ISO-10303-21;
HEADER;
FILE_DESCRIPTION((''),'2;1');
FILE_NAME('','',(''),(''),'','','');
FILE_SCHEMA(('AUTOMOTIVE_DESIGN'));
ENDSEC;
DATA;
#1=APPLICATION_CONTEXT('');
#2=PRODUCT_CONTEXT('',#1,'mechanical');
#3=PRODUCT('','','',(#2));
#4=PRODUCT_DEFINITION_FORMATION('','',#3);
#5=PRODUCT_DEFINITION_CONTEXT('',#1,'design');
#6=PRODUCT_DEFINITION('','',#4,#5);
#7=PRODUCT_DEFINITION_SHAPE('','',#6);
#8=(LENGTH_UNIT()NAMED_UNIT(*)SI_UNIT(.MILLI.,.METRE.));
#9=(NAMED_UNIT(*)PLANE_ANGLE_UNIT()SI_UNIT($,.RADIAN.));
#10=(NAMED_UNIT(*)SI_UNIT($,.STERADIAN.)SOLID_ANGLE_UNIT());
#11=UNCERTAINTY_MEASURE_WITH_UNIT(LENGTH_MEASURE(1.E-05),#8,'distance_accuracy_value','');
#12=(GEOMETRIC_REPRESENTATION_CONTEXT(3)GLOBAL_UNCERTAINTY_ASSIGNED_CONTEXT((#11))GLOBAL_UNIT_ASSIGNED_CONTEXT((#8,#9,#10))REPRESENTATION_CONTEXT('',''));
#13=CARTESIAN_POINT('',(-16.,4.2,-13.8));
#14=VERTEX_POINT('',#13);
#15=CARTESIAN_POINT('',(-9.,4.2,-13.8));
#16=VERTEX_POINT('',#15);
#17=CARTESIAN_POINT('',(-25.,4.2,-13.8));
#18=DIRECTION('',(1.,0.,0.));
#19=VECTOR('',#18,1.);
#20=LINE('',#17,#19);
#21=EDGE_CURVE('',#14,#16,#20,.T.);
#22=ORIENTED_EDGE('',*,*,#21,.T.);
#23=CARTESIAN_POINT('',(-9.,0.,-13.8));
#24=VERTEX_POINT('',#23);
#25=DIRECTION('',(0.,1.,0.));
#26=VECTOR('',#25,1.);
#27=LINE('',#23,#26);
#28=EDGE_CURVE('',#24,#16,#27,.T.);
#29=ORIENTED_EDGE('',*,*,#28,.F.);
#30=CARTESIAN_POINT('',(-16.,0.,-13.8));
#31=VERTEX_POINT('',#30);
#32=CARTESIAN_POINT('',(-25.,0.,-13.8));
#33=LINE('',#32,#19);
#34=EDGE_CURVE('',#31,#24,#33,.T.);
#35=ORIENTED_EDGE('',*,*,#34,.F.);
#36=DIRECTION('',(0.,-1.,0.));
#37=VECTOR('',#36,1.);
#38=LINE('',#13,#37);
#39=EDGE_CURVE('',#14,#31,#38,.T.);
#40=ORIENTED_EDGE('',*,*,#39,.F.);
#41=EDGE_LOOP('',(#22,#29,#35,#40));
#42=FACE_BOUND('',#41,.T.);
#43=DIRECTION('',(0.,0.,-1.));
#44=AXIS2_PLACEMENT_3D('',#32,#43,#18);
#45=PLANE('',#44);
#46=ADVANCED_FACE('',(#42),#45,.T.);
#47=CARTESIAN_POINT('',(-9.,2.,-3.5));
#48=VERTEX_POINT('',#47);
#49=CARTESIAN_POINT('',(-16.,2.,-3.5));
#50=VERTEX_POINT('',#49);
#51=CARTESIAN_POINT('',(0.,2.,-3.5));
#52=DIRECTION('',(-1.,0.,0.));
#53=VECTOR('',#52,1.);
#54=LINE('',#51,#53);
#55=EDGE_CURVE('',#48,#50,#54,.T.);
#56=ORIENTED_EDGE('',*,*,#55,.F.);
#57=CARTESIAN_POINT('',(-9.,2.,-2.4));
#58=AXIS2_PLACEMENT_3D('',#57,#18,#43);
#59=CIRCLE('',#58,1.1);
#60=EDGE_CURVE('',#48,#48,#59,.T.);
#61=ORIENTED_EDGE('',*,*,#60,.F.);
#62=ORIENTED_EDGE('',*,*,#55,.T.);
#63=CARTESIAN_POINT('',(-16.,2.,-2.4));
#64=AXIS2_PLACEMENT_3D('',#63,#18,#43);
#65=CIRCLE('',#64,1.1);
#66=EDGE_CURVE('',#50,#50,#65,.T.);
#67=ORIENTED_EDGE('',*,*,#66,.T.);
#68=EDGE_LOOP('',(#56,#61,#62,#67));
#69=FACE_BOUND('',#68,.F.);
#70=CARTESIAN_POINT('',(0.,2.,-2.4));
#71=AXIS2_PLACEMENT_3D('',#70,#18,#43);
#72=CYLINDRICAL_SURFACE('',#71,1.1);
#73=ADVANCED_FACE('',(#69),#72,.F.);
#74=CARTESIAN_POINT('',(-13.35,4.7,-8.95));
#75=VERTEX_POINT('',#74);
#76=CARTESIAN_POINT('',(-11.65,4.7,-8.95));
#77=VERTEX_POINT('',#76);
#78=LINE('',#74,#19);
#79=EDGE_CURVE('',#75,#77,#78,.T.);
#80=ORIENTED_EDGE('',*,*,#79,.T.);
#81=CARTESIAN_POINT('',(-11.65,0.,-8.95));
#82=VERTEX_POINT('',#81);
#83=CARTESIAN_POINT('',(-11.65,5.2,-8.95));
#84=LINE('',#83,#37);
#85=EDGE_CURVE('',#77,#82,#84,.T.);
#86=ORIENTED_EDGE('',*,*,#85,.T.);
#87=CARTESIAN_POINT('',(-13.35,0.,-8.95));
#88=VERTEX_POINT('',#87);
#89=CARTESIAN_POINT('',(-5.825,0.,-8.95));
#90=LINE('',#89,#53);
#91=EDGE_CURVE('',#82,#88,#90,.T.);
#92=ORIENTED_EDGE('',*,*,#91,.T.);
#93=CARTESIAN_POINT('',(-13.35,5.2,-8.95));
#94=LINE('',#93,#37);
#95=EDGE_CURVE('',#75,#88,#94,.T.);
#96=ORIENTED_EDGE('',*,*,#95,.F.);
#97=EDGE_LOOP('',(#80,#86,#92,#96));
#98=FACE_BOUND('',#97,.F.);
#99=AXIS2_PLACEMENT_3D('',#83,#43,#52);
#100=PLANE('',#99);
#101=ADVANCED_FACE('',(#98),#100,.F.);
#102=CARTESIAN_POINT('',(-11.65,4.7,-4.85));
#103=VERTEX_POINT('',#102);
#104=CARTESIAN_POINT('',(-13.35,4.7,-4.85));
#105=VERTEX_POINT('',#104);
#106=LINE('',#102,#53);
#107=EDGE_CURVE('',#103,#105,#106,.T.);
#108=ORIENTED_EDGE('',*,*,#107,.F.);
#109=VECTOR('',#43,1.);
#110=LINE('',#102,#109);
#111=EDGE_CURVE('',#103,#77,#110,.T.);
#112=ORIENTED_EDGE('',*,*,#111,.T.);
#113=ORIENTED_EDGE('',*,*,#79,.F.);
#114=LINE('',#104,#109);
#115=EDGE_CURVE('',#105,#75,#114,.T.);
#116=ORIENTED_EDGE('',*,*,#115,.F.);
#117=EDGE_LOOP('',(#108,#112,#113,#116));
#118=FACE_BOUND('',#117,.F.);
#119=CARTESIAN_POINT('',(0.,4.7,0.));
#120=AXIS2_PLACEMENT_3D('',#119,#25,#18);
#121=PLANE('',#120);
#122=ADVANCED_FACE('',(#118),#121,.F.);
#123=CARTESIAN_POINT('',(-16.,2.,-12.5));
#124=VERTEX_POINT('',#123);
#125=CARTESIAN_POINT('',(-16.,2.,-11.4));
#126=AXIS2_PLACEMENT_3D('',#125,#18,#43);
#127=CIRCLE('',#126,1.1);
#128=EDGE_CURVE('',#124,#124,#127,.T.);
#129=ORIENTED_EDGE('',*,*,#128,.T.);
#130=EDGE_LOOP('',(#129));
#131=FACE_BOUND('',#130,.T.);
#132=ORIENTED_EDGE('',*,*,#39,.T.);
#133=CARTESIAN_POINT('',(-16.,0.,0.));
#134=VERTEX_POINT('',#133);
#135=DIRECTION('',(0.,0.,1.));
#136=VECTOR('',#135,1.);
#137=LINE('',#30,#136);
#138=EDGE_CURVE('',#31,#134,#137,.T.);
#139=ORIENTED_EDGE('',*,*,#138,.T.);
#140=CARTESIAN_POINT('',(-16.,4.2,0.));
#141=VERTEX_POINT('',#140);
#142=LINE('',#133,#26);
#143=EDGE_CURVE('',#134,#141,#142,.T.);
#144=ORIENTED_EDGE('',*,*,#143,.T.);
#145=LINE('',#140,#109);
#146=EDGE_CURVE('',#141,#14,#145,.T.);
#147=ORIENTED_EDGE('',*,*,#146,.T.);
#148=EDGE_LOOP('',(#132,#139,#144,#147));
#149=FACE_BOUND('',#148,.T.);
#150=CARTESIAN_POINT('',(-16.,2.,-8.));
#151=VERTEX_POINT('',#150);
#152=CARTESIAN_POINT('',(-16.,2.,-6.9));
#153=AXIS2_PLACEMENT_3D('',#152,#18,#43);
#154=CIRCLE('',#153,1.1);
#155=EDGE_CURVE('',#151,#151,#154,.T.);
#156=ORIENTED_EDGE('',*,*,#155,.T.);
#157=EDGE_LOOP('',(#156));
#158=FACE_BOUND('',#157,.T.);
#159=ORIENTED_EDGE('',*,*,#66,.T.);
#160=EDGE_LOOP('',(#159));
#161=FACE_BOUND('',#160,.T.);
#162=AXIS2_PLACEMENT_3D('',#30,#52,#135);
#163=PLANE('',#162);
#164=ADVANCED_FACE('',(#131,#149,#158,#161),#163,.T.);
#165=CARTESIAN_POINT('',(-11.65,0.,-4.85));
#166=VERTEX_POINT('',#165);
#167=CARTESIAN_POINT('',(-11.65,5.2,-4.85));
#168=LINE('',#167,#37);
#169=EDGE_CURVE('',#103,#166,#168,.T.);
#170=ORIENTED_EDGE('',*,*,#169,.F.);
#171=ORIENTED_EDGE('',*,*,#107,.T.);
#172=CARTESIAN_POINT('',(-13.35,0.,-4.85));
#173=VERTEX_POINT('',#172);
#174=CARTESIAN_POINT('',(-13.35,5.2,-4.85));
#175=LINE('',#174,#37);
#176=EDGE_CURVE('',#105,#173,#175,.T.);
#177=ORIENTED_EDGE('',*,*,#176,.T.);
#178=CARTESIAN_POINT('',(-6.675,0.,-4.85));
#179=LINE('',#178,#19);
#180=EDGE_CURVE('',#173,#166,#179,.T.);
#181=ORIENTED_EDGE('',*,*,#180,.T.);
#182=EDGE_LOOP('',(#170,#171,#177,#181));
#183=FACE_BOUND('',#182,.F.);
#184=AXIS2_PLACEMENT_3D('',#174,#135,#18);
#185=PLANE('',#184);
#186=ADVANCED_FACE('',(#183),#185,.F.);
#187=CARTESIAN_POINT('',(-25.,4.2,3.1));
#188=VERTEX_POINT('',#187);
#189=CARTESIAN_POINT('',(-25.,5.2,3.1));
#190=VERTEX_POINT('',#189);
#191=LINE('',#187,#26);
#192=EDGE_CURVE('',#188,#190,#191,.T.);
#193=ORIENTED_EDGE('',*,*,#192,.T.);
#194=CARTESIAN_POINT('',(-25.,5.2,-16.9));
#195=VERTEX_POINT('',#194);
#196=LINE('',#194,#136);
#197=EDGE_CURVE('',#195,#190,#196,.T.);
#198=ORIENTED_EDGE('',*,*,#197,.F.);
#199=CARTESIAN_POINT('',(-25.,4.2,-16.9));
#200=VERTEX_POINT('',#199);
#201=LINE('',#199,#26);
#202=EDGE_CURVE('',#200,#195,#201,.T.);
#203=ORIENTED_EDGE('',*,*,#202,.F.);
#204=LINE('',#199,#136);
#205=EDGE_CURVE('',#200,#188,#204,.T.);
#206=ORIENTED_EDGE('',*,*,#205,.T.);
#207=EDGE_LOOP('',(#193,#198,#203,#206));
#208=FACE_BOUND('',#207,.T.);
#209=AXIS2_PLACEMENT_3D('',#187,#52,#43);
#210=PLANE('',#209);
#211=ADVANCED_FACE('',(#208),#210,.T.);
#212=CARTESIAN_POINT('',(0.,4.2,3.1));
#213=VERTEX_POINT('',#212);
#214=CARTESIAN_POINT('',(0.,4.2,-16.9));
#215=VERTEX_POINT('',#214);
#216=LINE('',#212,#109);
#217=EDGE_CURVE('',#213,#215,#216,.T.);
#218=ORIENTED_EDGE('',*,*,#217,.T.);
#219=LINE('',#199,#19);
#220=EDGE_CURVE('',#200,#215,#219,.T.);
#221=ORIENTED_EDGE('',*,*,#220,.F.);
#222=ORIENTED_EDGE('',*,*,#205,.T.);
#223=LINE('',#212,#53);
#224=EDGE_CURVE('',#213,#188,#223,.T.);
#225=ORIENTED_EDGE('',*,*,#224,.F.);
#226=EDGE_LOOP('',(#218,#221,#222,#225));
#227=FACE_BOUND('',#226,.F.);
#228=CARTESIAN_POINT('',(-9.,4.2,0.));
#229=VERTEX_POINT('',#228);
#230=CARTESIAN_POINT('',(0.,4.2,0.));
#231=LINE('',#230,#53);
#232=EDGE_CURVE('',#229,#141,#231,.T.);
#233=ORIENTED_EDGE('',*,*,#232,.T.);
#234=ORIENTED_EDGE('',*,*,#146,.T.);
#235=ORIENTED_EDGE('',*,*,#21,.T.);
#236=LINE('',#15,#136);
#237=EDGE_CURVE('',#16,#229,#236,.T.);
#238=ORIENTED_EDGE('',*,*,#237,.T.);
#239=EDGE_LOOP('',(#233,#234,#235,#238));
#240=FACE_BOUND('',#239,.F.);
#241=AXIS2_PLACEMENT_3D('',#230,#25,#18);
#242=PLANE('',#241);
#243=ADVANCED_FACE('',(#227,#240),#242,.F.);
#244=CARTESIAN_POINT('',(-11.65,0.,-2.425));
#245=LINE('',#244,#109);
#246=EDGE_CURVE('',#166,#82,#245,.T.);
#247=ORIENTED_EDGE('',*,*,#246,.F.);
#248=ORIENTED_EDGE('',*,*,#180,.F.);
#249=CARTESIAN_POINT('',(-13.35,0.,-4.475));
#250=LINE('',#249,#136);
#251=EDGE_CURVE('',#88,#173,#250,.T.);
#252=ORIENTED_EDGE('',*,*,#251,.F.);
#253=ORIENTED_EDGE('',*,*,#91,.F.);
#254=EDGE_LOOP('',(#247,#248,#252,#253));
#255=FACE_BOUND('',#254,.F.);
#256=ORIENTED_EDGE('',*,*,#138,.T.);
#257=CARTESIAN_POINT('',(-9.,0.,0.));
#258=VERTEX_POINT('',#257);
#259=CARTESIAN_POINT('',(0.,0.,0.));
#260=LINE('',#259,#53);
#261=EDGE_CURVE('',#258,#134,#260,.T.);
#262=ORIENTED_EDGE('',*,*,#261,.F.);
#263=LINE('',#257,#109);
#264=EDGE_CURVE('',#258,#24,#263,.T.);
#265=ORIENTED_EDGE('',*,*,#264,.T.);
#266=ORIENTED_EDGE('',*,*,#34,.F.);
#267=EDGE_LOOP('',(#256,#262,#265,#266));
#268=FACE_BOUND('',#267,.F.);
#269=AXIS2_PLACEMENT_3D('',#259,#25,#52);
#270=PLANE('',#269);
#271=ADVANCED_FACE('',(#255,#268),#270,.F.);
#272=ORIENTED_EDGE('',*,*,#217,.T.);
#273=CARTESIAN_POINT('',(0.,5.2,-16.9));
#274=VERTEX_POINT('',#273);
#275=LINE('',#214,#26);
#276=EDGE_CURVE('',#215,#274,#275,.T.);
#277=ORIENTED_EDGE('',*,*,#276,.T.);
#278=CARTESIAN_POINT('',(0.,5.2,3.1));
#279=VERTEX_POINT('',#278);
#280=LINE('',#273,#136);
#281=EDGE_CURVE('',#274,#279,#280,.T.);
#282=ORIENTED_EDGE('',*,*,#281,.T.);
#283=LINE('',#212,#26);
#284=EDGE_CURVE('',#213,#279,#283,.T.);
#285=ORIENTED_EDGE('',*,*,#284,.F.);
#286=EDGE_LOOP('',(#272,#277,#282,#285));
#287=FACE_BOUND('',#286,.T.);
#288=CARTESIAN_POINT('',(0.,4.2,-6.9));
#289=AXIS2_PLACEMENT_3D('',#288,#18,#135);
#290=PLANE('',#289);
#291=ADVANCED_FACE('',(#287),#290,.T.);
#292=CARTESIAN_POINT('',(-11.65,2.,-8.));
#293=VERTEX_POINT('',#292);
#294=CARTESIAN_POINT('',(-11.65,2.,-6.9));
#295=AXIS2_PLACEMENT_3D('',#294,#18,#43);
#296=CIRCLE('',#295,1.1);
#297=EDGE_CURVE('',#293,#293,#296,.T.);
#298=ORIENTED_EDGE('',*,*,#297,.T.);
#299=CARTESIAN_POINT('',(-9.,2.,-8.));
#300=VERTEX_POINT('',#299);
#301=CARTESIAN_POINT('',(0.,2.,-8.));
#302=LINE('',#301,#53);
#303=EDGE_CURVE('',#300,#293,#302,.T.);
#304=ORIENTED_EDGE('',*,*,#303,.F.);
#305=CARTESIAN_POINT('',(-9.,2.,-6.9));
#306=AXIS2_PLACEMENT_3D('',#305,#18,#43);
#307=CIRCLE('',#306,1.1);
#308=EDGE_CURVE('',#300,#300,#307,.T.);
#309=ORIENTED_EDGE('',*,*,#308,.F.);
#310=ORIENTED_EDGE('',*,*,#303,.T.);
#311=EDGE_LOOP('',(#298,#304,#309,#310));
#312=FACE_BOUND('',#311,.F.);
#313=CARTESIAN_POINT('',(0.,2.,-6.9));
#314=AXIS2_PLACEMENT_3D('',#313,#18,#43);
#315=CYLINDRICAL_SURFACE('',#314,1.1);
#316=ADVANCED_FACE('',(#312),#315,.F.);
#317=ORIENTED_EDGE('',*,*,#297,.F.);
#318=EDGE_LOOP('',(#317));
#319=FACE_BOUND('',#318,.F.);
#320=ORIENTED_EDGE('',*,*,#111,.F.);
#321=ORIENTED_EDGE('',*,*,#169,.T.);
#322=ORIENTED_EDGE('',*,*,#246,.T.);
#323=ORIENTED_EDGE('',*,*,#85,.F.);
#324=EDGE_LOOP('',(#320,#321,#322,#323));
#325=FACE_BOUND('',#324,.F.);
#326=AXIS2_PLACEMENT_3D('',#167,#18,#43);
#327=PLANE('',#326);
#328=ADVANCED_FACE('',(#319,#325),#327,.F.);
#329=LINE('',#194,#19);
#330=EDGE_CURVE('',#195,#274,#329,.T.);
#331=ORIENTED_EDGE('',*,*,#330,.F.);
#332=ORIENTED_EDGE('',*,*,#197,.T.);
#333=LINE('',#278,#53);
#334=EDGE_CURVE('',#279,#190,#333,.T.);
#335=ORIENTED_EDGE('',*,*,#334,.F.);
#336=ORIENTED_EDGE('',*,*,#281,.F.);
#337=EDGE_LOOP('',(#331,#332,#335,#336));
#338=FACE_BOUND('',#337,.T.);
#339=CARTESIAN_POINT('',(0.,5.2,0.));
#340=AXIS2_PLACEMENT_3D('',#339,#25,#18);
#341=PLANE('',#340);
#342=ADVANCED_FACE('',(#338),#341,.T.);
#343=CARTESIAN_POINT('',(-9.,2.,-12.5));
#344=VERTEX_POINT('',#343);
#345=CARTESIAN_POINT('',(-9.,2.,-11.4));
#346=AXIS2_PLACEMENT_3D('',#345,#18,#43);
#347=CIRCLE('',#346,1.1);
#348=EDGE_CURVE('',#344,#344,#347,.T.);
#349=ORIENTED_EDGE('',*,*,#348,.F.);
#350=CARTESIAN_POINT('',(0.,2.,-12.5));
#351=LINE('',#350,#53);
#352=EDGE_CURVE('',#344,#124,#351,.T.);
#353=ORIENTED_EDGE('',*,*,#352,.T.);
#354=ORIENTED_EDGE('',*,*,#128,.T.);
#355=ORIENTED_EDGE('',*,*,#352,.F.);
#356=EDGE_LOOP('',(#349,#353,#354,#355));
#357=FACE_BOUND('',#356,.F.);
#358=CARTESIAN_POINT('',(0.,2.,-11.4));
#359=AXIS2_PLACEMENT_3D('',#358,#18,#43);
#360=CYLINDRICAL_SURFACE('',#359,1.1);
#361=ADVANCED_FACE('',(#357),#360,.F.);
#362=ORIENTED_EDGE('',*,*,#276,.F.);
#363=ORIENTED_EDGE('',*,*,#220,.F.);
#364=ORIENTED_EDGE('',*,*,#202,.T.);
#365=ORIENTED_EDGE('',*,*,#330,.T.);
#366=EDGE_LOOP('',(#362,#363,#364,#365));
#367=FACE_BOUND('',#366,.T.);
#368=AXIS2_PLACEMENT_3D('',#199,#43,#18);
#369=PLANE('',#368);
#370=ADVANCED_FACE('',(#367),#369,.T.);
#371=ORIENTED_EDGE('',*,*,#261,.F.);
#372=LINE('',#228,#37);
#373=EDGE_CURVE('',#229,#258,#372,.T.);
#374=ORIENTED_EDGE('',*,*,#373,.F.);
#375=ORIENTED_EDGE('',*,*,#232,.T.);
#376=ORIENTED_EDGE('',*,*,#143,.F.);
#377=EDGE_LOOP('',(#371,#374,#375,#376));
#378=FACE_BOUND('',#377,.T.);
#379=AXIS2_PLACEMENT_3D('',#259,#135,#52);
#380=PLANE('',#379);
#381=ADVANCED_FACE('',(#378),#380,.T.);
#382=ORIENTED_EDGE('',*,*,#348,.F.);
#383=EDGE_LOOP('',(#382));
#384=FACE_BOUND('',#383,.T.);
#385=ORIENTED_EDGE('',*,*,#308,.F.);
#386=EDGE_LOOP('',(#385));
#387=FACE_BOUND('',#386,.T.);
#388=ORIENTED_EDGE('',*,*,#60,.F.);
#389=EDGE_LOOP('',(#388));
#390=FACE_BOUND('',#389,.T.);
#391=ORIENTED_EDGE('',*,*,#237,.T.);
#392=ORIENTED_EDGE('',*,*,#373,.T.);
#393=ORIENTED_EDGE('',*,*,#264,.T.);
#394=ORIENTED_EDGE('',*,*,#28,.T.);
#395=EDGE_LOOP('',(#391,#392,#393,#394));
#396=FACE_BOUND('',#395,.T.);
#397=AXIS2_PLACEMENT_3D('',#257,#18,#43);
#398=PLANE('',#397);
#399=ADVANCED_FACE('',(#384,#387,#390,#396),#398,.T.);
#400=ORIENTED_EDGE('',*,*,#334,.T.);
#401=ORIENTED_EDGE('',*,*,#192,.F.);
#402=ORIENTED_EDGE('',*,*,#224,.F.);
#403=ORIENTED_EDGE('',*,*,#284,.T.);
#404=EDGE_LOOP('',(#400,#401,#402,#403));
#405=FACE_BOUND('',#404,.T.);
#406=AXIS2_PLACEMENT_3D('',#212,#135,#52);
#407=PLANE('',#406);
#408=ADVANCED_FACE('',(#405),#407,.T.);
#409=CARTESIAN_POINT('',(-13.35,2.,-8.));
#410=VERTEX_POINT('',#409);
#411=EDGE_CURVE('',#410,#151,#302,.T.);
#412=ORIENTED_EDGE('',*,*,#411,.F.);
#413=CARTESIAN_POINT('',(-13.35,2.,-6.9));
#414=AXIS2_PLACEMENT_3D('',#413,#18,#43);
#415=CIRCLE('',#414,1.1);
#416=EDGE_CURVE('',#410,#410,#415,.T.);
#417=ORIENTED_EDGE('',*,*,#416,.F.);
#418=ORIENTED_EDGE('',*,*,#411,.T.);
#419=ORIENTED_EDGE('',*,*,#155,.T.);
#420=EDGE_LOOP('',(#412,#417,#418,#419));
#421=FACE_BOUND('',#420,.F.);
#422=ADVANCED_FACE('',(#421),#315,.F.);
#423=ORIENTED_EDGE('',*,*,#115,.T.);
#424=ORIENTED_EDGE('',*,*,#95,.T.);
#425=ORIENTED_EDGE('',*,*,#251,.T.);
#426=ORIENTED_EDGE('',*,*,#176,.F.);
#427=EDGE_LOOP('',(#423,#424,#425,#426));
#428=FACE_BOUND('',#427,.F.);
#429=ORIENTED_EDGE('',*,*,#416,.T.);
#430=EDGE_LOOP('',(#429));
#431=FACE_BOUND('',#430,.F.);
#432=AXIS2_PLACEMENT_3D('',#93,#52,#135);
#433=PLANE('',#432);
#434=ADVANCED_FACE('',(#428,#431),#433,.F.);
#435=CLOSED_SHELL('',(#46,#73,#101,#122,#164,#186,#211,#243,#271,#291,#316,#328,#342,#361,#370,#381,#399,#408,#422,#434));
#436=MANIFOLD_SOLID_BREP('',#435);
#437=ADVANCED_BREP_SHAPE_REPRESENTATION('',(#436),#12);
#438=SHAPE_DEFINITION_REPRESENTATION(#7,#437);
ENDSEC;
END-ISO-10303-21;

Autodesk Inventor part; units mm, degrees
ref_plane "YZ Plane" through (0, 0, 0) normal (1, 0, 0) x (0, 1, 0)
ref_plane "XZ Plane" through (0, 0, 0) normal (0, 1, 0) x (-1, 0, 0)
sketch "Sketch1" plane through (0, 0, 0) normal (0, 1, 0) x (-1, 0, 0)
  line L0 (0, 0) -> (25, 0)
  line L1 (25, 0) -> (25, -13.8)
  line L2 (25, -13.8) -> (0, -13.8)
  line L3 (0, -13.8) -> (0, 0)
  dimension "d0" = 25
  dimension "d1" = 13.8
extrude "Extrusion1" add sketch "Sketch1" along normal blind 4.2
sketch "Sketch2" plane through (0, 0, 0) normal (1, 0, 0) x (0, 0, -1)
  line L0 (0, 0) -> (0, 4.2)
  line L1 (0, 2) -> (13.8, 2)
  line L2 (13.8, 0) -> (13.8, 4.2)
  circle A0 centre (2.4, 2) radius 1.05
  circle A1 centre (11.4, 2) radius 1.05
  line L3 (0, 0) -> (13.8, 0) projected
  line L4 (6.9, 0) -> (6.9, 2.0025)
  line L5 (0, 4.2) -> (13.8, 4.2) projected
  dimension "d4" = 9
  dimension "d7" = 4.5
  dimension "d15" = 2.2
extrude "Extrusion2" cut sketch "Sketch2" against normal blind 20 contours A0 L1 | L1 A0 | A1 L1 | L1 A1
sketch "Sketch3" plane through (0, 4.2, 0) normal (0, 1, 0) x (1, 0, 0)
  line L0 (0, 6.9) -> (-25, 6.9)
  line L1 (0, -3.1) -> (-25, -3.1)
  line L2 (-25, -3.1) -> (-25, 16.9)
  line L3 (-25, 16.9) -> (0, 16.9)
  line L4 (0, 16.9) -> (0, -3.1)
  line L5 (0, -3.1) -> (-25, 16.9) construction
  line L6 (-25, -3.1) -> (0, 16.9) construction
  line L7 (-25, 13.8) -> (-25, 0) projected
  line L8 (0, 0) -> (0, 13.8) projected
  line L9 (0, 13.8) -> (-25, 13.8) projected
  point P0 (-12.5, 6.9)
  dimension "d10" = 20
  dimension "d11" = 6.9
  dimension "d12" = 25
extrude "Extrusion3" add sketch "Sketch3" along normal blind 1
sketch "Sketch4" plane through (0, 5.2, 0) normal (0, 1, 0) x (1, 0, 0)
  circle A0 centre (-21, 12.9) radius 0.25
  line L0 (0, 16.9) -> (-25, 16.9) projected
  line L1 (-25, 16.9) -> (-25, -3.1) projected
  line L2 (-21.25, 12.9) -> (-20.75, 12.9)
  point P0 (0, 0)
  dimension "d16" = 4
  dimension "d17" = 4
  dimension "d18" = 0.5
ref_plane "Work Plane1" through (-21.25, 5.2, -12.9) normal (0, 0, 1) x (1, 0, 0)
sketch "Sketch5" plane through (-21.25, 5.2, -12.9) normal (0, 0, 1) x (1, 0, 0)
  line L0 (-3.75, 0) -> (21.25, 0) projected
  line L1 (0.2469, 0) -> (0.2469, 2)
  line L2 (0.2469, 2) -> (0.9969, 0)
  line L3 (0.9969, 0) -> (0.2469, 0)
  line L4 (21.25, -1) -> (-3.75, -1) projected
  point P0 (21.25, -5.2)
  dimension "d21" = 2
  dimension "d28" = 0.75
revolve "Revolution1" [suppressed]
pattern_linear "Rectangular Pattern1" [suppressed]
sketch "Sketch6" plane through (0, 0, 0) normal (1, 0, 0) x (0, 0, -1)
  circle A0 centre (2.4, 2) radius 1.05 projected
  circle A1 centre (2.4, 2) radius 1.1
  circle A2 centre (11.4, 2) radius 1.05 projected
  circle A3 centre (11.4, 2) radius 1.1
  point P0 (0, 0)
  dimension "d29" = 2.2
  dimension "d30" = 2.2
extrude "Extrusion4" cut sketch "Sketch6" against normal blind 30.5 contours A0 | A1 | A2 | A3
sketch "Sketch7" plane through (0, 5.2, 0) normal (0, 1, 0) x (1, 0, 0)
  line L0 (0, 6.9) -> (-25, 6.9) construction
  line L1 (0, 16.9) -> (-25, 16.9) projected
  line L2 (-13.35, 4.85) -> (-11.65, 4.85)
  line L3 (-11.65, 4.85) -> (-11.65, 8.95)
  line L4 (-11.65, 8.95) -> (-13.35, 8.95)
  line L5 (-13.35, 8.95) -> (-13.35, 4.85)
  line L6 (-13.35, 4.85) -> (-11.65, 8.95) construction
  line L7 (-11.65, 4.85) -> (-13.35, 8.95) construction
  line L8 (0, -3.1) -> (0, 16.9) projected
  point P0 (0, 0)
  point P1 (-12.5, 6.9)
  dimension "d33" = 10
  dimension "d34" = 1.7
  dimension "d35" = 4.1
  dimension "d36" = 11.65
extrude "Extrusion5" cut sketch "Sketch7" against normal blind 8.45
sketch "Sketch8" plane through (0, 0, 0) normal (1, 0, 0) x (0, 0, -1)
  circle A0 centre (2.4, 2) radius 1.1 projected
  circle A1 centre (11.4, 2) radius 1.1 projected
  line L0 (2.4, 2) -> (11.4, 2) construction
  circle A2 centre (6.9, 2) radius 1.1
  point P0 (0, 0)
  dimension "d39" = 2.2
  dimension "d40" = 4.5
extrude "Extrusion6" cut sketch "Sketch8" against normal blind 31.95 contours A2
sketch "Sketch9" plane through (0, 5.2, 0) normal (0, 1, 0) x (1, 0, 0)
  line L0 (-13.35, 4.85) -> (-13.35, 8.95) projected
  line L1 (-11.65, 4.85) -> (-11.65, 8.95) projected
  line L2 (-13.35, 8.95) -> (-11.65, 8.95)
  line L3 (-11.65, 8.95) -> (-11.65, 4.85)
  line L4 (-11.65, 4.85) -> (-13.35, 4.85)
  line L5 (-13.35, 4.85) -> (-13.35, 8.95)
  point P0 (0, 0)
extrude "Extrusion7" add sketch "Sketch9" against normal blind 0.5
sketch "Sketch10" plane through (0, 0, 0) normal (1, 0, 0) x (0, 0, -1)
  line L0 (0, 0) -> (13.8, 0)
  line L1 (13.8, 0) -> (13.8, 4.2)
  line L2 (13.8, 4.2) -> (0, 4.2)
  line L3 (0, 4.2) -> (0, 0)
  line L4 (13.8, 4.2) -> (16.9, 4.2) projected
  line L5 (13.8, 0) -> (13.8, 4.2) projected
extrude "Extrusion8" cut sketch "Sketch10" against normal blind 9
sketch "Sketch11" plane through (-25, 0, -13.8) normal (-1, 0, 0) x (0, 0, 1)
  line L0 (13.8, 0) -> (13.8, 4.2) projected
  line L1 (0, 0) -> (13.8, 0)
  line L2 (13.8, 0) -> (13.8, 4.2)
  line L3 (13.8, 4.2) -> (0, 4.2)
  line L4 (0, 4.2) -> (0, 0)
  line L5 (13.8, 4.2) -> (16.9, 4.2) projected
extrude "Extrusion9" cut sketch "Sketch11" against normal blind 9
properties part number "Moving platform"
